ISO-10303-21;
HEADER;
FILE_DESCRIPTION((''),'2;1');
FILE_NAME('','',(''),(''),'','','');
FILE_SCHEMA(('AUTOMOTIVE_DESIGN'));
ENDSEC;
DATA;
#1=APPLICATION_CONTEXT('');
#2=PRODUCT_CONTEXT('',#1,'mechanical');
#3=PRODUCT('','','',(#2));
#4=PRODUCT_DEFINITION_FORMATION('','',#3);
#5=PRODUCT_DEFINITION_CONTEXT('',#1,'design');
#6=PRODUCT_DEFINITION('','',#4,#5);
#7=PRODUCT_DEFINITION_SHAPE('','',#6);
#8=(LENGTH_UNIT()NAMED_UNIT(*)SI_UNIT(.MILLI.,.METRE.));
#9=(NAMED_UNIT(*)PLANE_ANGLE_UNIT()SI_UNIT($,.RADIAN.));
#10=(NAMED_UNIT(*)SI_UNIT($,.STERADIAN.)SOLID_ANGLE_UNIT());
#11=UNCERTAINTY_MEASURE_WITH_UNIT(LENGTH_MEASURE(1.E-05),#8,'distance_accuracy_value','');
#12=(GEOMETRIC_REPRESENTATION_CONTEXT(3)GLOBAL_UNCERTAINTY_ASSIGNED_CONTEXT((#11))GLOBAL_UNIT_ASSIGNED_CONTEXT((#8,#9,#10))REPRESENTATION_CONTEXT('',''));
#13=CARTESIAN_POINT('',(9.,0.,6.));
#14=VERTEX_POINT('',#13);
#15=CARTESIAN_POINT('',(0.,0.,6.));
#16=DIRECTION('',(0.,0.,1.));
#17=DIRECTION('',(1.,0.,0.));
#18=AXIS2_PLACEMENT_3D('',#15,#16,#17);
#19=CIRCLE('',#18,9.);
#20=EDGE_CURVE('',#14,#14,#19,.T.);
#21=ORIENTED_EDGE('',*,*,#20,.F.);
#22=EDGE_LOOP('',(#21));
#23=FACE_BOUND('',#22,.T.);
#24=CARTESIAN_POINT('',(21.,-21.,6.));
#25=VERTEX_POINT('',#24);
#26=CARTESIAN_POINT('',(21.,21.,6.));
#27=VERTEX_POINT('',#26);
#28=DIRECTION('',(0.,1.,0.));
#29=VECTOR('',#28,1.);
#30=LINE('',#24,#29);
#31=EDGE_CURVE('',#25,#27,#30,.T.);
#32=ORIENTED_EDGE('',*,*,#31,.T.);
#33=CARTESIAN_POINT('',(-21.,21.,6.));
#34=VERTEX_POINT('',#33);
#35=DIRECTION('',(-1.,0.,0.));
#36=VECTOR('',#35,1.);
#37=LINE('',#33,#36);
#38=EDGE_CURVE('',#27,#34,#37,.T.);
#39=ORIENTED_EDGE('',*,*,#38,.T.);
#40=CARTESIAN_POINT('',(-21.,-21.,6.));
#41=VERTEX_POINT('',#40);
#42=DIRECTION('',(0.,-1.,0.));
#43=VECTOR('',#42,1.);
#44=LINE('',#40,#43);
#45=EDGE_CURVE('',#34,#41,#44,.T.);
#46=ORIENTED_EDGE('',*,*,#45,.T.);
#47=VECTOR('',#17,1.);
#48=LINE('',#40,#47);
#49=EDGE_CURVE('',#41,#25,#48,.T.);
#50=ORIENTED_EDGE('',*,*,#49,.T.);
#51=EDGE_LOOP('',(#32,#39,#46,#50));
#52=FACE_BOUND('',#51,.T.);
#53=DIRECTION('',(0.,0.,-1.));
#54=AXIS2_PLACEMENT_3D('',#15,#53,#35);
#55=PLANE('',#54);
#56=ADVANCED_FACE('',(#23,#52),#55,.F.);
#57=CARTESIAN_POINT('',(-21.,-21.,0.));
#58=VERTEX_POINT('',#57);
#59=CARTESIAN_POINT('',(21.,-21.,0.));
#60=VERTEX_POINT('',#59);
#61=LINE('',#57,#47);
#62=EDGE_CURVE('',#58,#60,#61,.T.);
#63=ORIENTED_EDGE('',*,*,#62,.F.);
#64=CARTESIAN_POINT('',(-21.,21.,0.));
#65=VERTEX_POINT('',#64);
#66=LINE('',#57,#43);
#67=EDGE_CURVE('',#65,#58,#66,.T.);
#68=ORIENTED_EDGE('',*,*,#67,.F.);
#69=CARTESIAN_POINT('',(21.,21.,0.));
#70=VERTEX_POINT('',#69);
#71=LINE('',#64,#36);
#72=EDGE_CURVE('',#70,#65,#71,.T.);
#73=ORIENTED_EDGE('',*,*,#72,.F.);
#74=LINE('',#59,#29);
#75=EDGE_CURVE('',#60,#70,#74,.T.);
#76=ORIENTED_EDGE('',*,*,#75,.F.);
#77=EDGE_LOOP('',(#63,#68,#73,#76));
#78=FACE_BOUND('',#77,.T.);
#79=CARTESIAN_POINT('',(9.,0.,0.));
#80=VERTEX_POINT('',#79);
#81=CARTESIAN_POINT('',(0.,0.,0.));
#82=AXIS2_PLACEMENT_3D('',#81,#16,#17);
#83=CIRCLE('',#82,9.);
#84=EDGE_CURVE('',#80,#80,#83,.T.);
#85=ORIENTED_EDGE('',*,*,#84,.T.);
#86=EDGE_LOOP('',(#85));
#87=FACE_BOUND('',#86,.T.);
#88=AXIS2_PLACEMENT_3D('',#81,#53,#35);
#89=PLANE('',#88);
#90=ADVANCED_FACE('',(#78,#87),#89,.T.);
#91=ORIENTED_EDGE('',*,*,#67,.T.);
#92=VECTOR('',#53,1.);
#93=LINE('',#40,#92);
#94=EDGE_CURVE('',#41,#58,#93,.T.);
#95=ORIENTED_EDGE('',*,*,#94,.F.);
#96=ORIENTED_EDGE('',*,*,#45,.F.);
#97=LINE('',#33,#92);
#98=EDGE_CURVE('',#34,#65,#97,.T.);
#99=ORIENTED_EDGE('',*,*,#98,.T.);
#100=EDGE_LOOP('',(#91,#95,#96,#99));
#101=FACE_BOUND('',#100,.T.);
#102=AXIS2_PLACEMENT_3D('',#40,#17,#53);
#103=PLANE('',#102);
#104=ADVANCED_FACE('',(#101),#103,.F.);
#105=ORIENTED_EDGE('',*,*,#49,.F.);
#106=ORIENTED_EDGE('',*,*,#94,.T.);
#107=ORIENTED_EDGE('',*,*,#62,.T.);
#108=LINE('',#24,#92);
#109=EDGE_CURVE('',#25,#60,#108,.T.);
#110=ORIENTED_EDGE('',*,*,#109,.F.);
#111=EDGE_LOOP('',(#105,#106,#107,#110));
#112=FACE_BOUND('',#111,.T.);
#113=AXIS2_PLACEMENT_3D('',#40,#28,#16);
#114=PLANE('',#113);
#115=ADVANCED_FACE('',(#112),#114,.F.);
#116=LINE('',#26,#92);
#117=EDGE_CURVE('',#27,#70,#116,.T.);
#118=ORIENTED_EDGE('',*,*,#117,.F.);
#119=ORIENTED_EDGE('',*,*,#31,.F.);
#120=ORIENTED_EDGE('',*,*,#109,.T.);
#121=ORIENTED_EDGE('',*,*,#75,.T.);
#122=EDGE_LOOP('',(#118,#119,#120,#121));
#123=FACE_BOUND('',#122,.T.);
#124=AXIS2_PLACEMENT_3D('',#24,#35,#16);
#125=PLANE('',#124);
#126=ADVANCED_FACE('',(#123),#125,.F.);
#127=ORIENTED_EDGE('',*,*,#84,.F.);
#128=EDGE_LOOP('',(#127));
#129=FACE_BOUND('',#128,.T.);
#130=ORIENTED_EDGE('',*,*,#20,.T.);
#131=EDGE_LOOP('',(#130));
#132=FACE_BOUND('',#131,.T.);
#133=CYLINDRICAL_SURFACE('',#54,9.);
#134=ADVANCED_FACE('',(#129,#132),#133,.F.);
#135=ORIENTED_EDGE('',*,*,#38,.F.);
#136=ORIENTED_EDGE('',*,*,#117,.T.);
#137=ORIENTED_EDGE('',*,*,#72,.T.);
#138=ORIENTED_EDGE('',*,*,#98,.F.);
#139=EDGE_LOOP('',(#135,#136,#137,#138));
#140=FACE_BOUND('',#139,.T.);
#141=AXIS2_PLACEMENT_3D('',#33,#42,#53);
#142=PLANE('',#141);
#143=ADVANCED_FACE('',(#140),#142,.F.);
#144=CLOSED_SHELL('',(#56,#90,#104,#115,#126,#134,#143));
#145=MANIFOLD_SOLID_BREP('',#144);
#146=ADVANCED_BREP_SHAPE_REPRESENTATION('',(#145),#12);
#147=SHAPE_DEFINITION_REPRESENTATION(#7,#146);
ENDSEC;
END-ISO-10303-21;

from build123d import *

# Parameters (mm, degrees)
SKETCH_1_W      = 70
SKETCH_1_H      = 70
SKETCH_1_R      = 15
EXTRUDE_1_DEPTH = 10
SCALE_1_SCALE   = 0.6


with BuildPart() as part:
    # 草图1 → 凸台-拉伸1 (new body)
    with BuildSketch(Plane.XY):
        Rectangle(SKETCH_1_W, SKETCH_1_H)
        Circle(SKETCH_1_R, mode=Mode.SUBTRACT)
    extrude(amount=EXTRUDE_1_DEPTH)


with BuildPart() as part_1:
    # 缩放比例1: scaled about (0, 0, 0)
    add(part.part.scale(SCALE_1_SCALE))


solid = part_1.part
